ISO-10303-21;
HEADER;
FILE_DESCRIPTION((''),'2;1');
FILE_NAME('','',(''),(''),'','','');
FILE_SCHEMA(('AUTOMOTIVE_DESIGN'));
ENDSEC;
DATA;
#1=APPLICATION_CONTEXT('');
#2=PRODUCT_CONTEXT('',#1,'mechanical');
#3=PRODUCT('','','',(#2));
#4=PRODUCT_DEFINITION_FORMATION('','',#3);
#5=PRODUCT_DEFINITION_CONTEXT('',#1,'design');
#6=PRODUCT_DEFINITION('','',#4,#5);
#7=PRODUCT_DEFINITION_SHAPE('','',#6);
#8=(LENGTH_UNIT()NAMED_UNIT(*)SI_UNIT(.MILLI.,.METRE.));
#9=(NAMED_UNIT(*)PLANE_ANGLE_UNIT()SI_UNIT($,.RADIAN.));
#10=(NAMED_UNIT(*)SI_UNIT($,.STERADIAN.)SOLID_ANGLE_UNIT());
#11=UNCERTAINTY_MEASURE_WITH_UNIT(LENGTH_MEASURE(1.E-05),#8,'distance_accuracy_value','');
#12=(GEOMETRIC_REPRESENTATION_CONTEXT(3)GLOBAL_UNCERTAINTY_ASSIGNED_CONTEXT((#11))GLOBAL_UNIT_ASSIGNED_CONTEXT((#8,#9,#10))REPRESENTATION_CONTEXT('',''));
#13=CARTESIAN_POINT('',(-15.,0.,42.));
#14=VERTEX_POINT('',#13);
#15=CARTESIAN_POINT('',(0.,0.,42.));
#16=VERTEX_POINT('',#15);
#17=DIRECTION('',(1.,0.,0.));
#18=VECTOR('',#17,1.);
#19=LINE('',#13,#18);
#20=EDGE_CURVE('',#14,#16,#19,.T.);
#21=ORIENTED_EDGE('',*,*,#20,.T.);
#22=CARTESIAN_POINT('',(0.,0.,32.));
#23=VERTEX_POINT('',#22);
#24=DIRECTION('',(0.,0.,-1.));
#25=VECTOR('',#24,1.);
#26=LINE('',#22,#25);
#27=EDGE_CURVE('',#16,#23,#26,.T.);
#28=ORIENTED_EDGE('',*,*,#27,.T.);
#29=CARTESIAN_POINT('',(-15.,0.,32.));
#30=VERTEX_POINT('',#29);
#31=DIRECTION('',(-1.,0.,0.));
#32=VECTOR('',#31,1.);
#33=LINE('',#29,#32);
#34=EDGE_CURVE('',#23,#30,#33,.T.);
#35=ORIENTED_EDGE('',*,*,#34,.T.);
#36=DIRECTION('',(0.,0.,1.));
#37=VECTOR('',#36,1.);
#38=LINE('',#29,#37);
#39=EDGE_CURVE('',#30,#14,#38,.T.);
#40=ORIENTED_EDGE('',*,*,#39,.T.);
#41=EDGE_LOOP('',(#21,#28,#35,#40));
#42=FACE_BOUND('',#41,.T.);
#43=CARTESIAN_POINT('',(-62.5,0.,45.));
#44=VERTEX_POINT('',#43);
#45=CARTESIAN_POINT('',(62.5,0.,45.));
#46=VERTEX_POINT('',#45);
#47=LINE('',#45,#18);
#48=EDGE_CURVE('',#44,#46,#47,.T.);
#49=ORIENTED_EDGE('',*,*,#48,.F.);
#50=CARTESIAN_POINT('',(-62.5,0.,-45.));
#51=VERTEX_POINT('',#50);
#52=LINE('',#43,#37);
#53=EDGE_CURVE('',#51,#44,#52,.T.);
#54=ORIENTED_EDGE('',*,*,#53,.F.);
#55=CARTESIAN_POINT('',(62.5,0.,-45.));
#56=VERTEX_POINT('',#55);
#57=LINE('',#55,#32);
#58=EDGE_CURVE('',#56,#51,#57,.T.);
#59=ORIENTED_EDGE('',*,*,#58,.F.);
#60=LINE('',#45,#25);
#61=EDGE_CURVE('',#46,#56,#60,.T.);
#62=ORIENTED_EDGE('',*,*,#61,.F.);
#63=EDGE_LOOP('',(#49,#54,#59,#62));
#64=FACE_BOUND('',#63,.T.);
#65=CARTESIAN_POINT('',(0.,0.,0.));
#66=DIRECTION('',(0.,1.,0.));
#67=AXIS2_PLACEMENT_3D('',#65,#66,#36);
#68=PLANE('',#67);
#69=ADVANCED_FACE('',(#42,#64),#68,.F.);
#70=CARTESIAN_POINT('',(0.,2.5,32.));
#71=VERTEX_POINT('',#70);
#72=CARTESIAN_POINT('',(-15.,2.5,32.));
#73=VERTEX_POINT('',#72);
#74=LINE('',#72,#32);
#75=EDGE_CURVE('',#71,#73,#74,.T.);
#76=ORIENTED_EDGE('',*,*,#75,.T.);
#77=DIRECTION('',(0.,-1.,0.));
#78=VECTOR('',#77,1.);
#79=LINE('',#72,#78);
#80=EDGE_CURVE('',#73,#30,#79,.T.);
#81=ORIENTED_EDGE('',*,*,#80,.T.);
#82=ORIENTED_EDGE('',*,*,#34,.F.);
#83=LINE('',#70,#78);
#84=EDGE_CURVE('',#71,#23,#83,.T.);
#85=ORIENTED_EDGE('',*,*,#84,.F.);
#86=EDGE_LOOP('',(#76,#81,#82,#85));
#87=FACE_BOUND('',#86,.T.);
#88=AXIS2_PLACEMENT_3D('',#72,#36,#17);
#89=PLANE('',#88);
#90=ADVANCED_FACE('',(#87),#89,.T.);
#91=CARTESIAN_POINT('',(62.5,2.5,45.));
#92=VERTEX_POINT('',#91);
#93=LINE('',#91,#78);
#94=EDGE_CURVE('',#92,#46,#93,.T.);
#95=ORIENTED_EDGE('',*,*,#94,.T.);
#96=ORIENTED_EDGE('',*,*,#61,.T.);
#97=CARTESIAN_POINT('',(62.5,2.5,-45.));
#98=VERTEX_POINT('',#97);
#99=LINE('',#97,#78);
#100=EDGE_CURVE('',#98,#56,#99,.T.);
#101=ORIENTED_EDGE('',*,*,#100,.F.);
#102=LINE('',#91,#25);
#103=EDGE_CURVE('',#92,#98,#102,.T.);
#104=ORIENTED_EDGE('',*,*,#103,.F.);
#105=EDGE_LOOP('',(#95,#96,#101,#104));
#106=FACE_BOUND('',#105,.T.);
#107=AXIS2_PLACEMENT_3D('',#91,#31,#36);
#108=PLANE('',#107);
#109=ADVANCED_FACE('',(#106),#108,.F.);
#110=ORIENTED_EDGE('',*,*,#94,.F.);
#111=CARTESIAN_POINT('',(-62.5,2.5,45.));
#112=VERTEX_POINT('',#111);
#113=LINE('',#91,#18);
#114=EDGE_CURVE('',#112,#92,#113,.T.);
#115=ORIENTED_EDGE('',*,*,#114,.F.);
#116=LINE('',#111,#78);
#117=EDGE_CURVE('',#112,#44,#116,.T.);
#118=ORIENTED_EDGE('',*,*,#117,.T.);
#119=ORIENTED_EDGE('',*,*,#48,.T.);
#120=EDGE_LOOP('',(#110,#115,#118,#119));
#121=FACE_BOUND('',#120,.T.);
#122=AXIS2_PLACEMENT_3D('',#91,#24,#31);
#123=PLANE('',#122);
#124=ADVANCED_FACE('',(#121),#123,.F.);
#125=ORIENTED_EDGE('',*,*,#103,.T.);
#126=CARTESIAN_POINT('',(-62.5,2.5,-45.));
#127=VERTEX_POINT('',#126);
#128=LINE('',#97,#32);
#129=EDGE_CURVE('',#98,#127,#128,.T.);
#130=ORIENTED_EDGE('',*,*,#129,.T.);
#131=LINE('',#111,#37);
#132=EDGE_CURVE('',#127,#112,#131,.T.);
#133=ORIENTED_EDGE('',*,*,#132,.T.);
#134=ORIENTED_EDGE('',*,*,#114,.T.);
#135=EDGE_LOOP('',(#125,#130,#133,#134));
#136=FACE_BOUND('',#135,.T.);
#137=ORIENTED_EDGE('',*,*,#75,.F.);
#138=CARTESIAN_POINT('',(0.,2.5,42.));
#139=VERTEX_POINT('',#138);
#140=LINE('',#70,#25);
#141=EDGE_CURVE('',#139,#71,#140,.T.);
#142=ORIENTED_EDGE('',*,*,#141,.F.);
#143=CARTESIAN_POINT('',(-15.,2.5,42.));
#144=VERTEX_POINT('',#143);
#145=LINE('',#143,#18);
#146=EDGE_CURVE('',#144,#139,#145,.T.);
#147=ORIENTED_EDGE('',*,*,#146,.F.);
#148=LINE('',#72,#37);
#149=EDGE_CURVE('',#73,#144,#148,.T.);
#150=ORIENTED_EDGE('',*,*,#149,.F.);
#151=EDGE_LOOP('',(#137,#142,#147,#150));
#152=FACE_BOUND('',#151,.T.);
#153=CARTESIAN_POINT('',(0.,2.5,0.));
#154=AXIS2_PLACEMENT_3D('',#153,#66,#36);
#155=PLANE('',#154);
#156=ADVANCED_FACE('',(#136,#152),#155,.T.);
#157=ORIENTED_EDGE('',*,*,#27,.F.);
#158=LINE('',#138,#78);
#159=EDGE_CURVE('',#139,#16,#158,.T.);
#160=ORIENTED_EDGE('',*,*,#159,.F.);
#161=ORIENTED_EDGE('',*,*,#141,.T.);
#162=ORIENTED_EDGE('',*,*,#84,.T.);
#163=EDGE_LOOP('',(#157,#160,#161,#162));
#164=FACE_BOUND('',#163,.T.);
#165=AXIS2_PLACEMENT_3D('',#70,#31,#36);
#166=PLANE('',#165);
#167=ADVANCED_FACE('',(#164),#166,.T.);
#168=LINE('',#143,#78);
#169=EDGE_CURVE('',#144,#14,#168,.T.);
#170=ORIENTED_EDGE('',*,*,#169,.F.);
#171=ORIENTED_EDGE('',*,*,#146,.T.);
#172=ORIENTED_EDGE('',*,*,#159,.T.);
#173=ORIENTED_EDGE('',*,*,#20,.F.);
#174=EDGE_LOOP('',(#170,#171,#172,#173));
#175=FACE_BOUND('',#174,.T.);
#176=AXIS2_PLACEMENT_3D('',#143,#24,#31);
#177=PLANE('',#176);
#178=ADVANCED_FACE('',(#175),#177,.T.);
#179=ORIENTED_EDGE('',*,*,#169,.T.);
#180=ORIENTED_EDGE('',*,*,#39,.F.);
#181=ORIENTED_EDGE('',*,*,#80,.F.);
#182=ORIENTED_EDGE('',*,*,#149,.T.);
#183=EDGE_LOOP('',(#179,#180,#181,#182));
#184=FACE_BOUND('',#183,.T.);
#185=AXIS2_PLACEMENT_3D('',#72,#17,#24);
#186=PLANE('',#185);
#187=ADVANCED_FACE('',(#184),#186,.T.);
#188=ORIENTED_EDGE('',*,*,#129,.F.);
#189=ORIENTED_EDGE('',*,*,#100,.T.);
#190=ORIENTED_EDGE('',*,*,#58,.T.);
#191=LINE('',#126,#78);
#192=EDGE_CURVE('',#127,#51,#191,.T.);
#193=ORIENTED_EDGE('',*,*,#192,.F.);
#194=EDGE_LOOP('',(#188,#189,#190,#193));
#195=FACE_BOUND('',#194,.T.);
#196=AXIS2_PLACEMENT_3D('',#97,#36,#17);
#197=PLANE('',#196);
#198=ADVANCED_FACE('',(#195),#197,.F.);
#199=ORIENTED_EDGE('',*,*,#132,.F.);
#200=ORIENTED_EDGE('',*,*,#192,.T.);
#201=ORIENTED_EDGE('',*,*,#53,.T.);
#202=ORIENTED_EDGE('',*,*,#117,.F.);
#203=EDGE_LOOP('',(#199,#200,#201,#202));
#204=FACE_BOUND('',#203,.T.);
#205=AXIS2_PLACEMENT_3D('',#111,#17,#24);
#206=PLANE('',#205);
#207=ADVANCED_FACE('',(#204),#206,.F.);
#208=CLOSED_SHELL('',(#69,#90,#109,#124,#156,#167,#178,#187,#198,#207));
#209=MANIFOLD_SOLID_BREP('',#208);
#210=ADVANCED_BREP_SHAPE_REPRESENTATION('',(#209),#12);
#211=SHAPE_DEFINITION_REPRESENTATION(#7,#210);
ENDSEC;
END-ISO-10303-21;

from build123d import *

# Parameters (mm, degrees)
SKETCH1_W           = 125
SKETCH1_H           = 90
SKETCH1_W_2         = 15
SKETCH1_H_2         = 10
BOSS_EXTRUDE1_DEPTH = 2.5


with BuildPart() as part:
    # Sketch1 → Boss-Extrude1 (new body)
    with BuildSketch(Plane(origin=(0, 0, 0), x_dir=(1, 0, 0), z_dir=(0, 1, 0))):
        Rectangle(SKETCH1_W, SKETCH1_H)
        with Locations((-7.5, -37)):
            Rectangle(SKETCH1_W_2, SKETCH1_H_2, mode=Mode.SUBTRACT)
    extrude(amount=BOSS_EXTRUDE1_DEPTH)


solid = part.part
